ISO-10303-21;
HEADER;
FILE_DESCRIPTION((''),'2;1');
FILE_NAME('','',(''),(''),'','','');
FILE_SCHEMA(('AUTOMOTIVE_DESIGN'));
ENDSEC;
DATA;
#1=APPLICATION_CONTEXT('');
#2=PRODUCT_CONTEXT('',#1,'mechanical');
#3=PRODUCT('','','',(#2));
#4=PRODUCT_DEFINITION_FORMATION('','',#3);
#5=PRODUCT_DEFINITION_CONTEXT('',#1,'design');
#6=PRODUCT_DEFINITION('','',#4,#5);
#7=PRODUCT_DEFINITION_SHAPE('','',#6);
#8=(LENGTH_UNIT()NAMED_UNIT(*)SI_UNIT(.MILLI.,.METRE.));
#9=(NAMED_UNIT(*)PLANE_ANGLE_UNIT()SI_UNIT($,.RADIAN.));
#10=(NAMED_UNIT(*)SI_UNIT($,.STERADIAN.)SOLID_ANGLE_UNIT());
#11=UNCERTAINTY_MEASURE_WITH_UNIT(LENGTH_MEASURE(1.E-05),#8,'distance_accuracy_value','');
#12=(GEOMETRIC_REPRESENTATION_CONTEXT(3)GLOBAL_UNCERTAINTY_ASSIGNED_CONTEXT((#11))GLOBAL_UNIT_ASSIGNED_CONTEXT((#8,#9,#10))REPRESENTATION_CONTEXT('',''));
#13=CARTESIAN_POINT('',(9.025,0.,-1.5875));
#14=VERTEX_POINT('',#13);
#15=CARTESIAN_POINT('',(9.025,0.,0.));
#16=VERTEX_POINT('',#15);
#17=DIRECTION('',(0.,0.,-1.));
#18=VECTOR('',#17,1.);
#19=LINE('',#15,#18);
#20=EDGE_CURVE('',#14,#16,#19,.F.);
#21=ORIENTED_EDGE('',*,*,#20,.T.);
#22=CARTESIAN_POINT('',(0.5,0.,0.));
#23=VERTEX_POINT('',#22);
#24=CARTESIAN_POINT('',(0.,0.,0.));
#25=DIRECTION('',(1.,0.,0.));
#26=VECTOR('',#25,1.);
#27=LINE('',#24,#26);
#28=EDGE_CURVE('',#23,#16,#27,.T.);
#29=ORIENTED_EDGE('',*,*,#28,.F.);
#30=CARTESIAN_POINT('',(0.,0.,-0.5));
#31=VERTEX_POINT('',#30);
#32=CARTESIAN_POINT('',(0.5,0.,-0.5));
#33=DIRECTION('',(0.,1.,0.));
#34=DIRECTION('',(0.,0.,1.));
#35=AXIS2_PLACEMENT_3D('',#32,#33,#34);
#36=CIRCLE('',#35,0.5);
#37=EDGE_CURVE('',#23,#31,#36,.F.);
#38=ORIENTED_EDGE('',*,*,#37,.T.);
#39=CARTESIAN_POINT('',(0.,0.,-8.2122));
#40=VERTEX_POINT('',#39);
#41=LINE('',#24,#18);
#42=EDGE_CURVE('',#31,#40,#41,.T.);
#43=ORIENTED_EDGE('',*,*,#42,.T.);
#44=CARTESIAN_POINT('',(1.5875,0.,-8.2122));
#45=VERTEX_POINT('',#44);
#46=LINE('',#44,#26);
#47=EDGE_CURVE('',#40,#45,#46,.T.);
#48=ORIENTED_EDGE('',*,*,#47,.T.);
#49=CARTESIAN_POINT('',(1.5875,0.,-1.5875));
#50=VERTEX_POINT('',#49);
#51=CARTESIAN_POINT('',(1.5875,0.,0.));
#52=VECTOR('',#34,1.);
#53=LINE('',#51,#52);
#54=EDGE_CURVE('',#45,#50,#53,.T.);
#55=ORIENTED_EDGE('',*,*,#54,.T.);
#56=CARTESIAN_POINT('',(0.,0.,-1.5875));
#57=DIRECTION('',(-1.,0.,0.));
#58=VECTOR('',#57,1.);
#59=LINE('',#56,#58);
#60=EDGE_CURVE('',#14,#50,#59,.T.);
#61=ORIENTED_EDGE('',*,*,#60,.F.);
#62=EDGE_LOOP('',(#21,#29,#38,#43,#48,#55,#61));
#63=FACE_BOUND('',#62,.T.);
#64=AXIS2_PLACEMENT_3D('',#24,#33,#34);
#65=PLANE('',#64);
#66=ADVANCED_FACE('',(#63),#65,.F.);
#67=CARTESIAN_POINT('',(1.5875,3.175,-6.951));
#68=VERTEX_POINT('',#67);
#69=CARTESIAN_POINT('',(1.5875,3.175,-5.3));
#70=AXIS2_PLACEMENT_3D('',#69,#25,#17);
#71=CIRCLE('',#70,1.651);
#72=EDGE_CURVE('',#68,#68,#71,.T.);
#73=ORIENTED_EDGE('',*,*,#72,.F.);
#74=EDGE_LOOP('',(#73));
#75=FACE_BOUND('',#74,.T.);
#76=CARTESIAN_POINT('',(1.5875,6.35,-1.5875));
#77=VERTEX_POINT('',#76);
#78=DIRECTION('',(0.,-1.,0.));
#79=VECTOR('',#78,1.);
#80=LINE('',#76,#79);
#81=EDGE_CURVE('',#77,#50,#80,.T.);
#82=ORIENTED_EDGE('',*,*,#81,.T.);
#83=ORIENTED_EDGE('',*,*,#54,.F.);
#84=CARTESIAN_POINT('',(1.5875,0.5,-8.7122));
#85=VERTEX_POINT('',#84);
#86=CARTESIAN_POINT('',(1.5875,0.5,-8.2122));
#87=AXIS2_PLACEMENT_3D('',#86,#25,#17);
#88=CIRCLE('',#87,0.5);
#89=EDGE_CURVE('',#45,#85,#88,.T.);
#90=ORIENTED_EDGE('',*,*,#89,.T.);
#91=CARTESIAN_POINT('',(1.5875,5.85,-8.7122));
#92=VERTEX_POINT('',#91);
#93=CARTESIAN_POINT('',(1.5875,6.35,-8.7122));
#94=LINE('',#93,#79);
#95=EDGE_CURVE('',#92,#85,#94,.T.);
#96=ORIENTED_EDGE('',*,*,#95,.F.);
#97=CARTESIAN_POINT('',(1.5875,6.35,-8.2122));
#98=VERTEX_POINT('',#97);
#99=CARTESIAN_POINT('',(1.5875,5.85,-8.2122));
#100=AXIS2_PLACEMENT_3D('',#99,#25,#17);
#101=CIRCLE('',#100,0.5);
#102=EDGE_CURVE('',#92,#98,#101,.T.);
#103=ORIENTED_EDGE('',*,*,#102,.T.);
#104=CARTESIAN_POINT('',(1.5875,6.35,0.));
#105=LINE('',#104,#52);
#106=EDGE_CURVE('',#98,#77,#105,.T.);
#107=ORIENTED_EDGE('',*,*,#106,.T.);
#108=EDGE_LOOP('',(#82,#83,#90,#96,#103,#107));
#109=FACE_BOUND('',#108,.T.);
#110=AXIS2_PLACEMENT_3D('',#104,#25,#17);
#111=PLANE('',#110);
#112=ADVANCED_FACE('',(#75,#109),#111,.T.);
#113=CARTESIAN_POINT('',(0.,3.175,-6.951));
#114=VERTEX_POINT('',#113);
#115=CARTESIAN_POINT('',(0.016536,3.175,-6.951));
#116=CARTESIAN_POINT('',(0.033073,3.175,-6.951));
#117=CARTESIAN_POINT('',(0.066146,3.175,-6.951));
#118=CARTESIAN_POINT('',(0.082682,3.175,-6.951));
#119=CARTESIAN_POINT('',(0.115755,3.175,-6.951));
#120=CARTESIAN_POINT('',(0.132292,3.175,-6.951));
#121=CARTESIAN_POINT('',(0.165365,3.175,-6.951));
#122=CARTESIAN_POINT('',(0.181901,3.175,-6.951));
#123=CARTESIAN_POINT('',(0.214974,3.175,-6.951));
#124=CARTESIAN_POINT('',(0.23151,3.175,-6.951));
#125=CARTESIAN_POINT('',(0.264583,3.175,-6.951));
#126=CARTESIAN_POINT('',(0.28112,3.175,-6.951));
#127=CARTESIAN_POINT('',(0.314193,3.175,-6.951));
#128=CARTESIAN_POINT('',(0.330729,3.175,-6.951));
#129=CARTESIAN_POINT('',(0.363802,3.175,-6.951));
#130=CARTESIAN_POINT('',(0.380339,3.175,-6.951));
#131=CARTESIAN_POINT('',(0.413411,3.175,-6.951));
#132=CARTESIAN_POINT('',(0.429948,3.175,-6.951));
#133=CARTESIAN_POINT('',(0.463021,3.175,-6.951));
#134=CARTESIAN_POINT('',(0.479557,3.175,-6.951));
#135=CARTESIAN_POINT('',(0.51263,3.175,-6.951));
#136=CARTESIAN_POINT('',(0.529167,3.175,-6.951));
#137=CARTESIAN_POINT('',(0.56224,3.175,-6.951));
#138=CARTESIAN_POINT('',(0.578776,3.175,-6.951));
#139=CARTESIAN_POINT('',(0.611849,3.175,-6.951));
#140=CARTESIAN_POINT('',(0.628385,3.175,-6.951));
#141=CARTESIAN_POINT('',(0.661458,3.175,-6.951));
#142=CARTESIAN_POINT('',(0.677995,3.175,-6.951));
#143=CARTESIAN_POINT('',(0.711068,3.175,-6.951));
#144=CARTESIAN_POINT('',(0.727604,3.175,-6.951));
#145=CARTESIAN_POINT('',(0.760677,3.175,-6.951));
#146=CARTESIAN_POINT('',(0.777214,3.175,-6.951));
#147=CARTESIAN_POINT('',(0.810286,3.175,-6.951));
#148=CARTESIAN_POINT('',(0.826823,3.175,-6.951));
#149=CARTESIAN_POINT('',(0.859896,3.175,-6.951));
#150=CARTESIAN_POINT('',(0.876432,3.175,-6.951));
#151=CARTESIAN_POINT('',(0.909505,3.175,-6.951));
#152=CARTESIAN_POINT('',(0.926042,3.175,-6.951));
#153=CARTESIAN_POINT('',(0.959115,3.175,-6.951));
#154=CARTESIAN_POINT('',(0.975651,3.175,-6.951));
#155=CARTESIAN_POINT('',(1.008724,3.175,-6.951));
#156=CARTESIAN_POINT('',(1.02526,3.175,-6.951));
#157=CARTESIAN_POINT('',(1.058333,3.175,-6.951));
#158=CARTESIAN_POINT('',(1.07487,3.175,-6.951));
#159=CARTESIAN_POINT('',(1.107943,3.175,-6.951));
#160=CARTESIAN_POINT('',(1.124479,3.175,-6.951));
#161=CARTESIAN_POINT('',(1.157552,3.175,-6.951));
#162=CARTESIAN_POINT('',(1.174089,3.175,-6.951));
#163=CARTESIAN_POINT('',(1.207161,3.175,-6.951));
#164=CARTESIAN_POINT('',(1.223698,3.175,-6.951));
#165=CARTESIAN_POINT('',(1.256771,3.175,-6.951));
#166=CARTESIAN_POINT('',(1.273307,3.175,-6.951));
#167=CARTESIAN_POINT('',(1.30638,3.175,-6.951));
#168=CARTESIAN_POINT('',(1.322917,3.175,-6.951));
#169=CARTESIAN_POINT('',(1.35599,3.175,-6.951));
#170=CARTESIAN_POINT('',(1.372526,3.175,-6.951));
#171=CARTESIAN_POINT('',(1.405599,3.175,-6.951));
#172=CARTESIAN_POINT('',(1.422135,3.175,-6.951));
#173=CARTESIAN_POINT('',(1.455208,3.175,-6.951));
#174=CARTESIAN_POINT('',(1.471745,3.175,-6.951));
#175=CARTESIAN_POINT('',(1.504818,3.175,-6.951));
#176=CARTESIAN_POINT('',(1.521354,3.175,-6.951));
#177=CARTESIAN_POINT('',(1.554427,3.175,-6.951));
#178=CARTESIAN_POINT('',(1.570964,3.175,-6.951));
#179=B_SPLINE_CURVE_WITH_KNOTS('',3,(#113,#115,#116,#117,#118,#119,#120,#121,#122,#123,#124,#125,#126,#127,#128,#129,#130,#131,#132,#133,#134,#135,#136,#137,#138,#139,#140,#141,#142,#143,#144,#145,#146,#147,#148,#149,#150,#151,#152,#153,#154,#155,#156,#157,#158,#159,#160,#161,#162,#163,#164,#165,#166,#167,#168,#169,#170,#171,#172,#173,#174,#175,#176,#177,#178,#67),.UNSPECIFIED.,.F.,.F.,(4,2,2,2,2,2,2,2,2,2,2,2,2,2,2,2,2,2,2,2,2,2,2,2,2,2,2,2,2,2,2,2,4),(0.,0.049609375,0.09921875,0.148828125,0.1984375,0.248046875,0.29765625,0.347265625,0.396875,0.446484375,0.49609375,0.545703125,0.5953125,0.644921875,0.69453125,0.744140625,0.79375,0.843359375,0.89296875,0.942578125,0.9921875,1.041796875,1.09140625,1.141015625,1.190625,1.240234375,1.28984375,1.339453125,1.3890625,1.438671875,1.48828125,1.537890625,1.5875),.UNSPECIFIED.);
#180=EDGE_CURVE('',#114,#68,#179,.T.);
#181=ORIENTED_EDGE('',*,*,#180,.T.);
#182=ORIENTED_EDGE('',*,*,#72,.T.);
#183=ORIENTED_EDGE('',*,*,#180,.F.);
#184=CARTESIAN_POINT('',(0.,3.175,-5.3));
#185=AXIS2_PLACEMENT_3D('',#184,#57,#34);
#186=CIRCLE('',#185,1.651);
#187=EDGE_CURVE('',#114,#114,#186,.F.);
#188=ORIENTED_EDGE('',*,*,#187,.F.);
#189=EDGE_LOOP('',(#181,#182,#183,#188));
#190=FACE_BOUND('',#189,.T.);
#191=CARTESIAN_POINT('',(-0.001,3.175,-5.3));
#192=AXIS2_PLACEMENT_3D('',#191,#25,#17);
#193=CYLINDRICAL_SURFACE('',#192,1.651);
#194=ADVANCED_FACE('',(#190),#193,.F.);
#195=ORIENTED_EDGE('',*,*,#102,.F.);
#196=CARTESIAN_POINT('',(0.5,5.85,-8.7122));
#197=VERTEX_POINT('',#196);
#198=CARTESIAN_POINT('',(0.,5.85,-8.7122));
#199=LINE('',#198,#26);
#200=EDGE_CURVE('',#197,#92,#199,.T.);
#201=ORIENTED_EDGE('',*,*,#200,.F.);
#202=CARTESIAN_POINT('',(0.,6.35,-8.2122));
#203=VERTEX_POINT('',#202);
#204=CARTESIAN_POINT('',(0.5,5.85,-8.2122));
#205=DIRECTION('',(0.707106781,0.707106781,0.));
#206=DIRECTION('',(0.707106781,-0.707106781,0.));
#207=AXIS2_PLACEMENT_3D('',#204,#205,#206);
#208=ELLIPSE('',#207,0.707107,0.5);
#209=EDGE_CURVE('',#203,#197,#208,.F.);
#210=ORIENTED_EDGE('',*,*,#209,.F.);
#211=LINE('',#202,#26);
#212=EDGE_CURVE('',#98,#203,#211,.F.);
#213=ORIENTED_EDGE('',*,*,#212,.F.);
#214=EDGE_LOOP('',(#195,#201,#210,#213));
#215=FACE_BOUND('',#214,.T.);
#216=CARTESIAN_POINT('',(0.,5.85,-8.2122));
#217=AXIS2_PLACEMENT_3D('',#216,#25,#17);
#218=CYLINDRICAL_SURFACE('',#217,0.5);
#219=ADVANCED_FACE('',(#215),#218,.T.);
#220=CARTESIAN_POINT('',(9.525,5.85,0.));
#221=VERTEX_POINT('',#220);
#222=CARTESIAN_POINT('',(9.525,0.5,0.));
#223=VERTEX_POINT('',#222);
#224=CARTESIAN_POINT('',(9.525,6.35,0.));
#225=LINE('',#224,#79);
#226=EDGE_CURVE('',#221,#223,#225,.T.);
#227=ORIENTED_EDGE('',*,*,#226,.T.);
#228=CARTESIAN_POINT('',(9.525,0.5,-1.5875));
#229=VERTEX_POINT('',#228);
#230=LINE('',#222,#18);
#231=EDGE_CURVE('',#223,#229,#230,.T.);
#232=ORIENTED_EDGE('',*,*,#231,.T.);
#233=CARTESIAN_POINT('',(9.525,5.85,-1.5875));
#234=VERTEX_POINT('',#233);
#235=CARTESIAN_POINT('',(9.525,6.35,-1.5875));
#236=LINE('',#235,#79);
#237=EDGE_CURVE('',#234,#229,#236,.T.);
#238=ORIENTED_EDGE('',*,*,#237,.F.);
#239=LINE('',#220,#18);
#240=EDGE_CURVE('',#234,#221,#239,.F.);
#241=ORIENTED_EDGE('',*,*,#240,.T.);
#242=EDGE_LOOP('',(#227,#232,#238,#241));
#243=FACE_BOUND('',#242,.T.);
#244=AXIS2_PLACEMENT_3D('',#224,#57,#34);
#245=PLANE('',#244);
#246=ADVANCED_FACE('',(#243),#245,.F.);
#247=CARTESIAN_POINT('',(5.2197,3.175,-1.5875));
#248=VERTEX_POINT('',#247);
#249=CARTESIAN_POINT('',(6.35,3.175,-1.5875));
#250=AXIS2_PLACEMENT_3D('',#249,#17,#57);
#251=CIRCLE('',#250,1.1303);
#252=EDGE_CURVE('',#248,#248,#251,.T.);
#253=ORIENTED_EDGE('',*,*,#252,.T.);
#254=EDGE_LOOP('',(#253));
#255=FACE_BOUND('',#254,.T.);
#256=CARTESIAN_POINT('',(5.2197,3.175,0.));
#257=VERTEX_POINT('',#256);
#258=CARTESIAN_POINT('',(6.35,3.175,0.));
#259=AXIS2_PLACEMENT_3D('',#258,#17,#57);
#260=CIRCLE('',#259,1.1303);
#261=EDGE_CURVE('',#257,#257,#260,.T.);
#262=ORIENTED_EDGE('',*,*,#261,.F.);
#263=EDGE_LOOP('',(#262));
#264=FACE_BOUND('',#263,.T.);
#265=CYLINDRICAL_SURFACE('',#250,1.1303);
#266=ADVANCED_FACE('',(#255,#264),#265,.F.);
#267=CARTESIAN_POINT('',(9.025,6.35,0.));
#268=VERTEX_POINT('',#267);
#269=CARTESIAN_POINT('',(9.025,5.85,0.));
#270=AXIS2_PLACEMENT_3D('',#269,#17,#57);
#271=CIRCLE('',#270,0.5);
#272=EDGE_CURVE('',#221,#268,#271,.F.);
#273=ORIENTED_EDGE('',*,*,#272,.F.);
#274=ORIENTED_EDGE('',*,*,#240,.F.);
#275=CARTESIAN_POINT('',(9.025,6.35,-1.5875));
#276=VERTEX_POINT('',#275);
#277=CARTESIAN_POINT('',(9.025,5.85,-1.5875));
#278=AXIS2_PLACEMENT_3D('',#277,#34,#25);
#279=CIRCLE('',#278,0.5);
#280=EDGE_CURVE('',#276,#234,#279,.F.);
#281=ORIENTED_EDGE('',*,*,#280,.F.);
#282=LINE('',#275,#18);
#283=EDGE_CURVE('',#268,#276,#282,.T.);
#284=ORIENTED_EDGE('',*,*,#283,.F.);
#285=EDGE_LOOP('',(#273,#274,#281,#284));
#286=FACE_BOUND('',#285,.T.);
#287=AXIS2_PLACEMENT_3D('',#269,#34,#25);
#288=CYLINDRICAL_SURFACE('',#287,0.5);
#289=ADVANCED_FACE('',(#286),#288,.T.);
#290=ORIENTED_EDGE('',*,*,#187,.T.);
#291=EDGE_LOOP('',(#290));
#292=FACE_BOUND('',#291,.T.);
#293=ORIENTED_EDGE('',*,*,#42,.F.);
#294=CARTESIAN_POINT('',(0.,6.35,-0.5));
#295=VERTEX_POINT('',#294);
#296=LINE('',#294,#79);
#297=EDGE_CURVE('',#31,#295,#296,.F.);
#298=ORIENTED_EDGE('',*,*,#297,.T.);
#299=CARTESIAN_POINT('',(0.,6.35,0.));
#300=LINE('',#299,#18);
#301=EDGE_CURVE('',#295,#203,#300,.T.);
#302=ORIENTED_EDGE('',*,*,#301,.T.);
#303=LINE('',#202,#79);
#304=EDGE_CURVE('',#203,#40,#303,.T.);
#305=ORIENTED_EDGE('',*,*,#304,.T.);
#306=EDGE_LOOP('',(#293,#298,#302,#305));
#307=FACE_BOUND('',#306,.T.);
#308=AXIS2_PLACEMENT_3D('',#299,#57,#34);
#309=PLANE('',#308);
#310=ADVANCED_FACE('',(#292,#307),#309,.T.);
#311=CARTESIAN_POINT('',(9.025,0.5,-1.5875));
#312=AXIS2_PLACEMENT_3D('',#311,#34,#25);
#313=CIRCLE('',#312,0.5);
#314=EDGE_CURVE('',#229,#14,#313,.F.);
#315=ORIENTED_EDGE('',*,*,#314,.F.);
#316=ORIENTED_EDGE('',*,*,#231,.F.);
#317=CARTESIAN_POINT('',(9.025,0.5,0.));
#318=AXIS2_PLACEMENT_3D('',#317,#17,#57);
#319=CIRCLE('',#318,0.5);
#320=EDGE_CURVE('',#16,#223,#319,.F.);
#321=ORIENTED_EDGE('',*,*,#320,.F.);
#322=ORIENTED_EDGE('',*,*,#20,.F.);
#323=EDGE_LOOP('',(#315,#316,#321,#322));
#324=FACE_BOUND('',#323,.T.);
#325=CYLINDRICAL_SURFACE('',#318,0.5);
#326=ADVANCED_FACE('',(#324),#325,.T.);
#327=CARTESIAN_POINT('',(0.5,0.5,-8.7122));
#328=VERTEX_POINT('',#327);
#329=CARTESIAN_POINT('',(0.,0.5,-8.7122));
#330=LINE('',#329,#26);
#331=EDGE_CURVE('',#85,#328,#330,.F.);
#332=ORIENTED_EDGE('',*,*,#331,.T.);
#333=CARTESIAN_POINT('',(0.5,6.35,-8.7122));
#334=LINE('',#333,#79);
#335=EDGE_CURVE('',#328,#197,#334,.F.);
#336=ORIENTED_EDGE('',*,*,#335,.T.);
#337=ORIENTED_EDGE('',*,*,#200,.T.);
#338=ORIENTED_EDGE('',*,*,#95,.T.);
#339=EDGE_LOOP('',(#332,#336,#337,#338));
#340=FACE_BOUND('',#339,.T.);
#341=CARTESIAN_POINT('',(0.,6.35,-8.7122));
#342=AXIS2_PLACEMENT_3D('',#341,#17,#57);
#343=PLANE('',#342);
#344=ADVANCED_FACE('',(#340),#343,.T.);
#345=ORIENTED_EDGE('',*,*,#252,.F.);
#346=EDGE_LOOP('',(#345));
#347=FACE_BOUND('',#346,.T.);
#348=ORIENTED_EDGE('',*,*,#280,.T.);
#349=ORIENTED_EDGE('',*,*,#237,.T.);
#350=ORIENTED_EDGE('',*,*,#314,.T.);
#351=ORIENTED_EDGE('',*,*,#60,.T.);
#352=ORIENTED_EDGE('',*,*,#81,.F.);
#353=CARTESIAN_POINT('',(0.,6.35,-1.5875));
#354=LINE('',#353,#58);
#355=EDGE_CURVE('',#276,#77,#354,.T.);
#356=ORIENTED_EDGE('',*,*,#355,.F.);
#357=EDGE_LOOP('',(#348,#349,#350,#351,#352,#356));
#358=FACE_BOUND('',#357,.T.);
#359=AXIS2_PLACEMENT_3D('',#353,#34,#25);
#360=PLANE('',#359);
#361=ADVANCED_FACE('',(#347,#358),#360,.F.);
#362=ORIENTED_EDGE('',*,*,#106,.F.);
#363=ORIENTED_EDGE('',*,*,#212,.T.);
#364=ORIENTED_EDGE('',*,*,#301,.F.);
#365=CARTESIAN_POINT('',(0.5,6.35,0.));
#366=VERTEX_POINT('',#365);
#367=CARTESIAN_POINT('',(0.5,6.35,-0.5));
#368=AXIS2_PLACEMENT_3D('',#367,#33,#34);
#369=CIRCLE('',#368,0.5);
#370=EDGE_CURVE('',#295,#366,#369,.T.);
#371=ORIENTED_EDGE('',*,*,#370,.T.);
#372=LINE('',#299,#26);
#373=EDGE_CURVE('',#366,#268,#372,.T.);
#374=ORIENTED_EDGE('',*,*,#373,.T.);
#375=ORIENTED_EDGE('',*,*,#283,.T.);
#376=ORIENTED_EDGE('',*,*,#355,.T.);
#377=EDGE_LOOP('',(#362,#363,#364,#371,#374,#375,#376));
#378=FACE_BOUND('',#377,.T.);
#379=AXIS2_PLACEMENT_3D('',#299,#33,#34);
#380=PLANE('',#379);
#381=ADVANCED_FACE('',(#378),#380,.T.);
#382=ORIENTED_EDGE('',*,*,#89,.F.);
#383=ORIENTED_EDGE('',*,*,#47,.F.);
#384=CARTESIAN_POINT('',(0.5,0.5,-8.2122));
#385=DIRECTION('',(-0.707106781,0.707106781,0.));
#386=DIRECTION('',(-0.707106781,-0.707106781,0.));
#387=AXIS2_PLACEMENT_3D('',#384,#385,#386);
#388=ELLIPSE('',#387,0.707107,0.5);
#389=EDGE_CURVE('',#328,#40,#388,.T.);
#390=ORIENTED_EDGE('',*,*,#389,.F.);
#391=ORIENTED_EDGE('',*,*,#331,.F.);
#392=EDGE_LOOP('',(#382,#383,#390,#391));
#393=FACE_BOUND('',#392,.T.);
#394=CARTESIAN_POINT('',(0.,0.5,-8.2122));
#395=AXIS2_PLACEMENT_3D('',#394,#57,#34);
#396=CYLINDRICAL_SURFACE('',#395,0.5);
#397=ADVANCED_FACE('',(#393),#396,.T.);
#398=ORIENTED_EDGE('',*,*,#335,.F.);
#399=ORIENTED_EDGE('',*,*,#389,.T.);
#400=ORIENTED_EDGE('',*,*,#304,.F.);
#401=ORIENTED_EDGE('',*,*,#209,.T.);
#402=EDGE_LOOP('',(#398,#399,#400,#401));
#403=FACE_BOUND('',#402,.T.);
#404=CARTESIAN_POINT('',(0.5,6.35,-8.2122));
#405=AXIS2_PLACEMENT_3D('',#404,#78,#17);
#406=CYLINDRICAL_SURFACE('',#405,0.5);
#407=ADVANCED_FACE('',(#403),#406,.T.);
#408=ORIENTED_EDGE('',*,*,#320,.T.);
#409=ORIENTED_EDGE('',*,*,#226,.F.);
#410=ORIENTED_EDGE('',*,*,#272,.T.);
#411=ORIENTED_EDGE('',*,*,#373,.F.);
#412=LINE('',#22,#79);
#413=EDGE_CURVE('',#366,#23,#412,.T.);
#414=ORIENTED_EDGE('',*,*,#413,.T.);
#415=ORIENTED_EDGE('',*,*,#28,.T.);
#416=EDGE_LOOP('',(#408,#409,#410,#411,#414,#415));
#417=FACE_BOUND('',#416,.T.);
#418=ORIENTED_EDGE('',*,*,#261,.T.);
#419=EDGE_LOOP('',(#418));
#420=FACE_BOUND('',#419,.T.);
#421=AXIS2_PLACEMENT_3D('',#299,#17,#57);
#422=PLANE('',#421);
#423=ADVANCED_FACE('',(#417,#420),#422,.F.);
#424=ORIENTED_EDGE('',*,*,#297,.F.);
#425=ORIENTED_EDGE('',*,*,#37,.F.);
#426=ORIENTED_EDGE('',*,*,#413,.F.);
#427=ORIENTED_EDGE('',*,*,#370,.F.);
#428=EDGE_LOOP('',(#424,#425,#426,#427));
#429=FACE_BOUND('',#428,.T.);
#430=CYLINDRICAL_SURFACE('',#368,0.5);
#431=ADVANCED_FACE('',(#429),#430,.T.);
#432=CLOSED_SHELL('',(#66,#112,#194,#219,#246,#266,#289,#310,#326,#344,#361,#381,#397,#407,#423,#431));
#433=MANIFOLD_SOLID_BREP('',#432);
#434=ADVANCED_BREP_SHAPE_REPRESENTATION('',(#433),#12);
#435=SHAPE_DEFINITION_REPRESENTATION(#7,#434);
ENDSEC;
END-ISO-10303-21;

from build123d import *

# Parameters (mm, degrees)
BOSS_EXTRUDE1_DEPTH   = 6.35
CUT_EXTRUDE1_REACH    = 15.388
SKETCH2_R             = 1.651
F_4_40_TAPPED_HOLE2_D = 2.2606
FILLET1_R             = 0.5


with BuildPart() as part:
    # Sketch1 → Boss-Extrude1 (new body)
    with BuildSketch(Plane(origin=(0, 0, 0), x_dir=(1, 0, 0), z_dir=(0, 1, 0))):
        Polygon((0, 8.7122), (0, 0), (9.525, 0), (9.525, 1.5875), (1.5875, 1.5875), (1.5875, 8.7122), align=None)
    extrude(amount=BOSS_EXTRUDE1_DEPTH)

    # Sketch2 → Cut-Extrude1 (cut, up to next)
    with BuildSketch(Plane(origin=(1.5875, 0, 0), x_dir=(0, 0, -1), z_dir=(1, 0, 0)), mode=Mode.PRIVATE) as cut_extrude1_sk1:
        with Locations((5.3, 3.175)):
            Circle(SKETCH2_R)
    cut_extrude1_tool1 = extrude(cut_extrude1_sk1.sketch, amount=-CUT_EXTRUDE1_REACH, mode=Mode.PRIVATE) & part.part
    add(cut_extrude1_tool1.solids().sort_by_distance((1.5875, 3.175, -5.3))[0], mode=Mode.SUBTRACT)

    # #4-40 Tapped Hole2 (through all)
    with Locations(Plane(origin=(6.35, 3.175, -1.5875), x_dir=(-1, 0, 0), z_dir=(0, 0, -1))):
        with Locations((0, 0)):
            Hole(F_4_40_TAPPED_HOLE2_D / 2)

    # Fillet1
    fillet1_edges = [part.edges().sort_by_distance(p)[0] for p in [
        (0, 3.175, 0),
        (0, 3.175, -8.7122),
        (9.525, 6.35, -0.79375),
        (9.525, 0, -0.79375),
        (0.79375, 6.35, -8.7122),
        (0.79375, 0, -8.7122),
    ]]
    fillet(fillet1_edges, radius=FILLET1_R)


solid = part.part
